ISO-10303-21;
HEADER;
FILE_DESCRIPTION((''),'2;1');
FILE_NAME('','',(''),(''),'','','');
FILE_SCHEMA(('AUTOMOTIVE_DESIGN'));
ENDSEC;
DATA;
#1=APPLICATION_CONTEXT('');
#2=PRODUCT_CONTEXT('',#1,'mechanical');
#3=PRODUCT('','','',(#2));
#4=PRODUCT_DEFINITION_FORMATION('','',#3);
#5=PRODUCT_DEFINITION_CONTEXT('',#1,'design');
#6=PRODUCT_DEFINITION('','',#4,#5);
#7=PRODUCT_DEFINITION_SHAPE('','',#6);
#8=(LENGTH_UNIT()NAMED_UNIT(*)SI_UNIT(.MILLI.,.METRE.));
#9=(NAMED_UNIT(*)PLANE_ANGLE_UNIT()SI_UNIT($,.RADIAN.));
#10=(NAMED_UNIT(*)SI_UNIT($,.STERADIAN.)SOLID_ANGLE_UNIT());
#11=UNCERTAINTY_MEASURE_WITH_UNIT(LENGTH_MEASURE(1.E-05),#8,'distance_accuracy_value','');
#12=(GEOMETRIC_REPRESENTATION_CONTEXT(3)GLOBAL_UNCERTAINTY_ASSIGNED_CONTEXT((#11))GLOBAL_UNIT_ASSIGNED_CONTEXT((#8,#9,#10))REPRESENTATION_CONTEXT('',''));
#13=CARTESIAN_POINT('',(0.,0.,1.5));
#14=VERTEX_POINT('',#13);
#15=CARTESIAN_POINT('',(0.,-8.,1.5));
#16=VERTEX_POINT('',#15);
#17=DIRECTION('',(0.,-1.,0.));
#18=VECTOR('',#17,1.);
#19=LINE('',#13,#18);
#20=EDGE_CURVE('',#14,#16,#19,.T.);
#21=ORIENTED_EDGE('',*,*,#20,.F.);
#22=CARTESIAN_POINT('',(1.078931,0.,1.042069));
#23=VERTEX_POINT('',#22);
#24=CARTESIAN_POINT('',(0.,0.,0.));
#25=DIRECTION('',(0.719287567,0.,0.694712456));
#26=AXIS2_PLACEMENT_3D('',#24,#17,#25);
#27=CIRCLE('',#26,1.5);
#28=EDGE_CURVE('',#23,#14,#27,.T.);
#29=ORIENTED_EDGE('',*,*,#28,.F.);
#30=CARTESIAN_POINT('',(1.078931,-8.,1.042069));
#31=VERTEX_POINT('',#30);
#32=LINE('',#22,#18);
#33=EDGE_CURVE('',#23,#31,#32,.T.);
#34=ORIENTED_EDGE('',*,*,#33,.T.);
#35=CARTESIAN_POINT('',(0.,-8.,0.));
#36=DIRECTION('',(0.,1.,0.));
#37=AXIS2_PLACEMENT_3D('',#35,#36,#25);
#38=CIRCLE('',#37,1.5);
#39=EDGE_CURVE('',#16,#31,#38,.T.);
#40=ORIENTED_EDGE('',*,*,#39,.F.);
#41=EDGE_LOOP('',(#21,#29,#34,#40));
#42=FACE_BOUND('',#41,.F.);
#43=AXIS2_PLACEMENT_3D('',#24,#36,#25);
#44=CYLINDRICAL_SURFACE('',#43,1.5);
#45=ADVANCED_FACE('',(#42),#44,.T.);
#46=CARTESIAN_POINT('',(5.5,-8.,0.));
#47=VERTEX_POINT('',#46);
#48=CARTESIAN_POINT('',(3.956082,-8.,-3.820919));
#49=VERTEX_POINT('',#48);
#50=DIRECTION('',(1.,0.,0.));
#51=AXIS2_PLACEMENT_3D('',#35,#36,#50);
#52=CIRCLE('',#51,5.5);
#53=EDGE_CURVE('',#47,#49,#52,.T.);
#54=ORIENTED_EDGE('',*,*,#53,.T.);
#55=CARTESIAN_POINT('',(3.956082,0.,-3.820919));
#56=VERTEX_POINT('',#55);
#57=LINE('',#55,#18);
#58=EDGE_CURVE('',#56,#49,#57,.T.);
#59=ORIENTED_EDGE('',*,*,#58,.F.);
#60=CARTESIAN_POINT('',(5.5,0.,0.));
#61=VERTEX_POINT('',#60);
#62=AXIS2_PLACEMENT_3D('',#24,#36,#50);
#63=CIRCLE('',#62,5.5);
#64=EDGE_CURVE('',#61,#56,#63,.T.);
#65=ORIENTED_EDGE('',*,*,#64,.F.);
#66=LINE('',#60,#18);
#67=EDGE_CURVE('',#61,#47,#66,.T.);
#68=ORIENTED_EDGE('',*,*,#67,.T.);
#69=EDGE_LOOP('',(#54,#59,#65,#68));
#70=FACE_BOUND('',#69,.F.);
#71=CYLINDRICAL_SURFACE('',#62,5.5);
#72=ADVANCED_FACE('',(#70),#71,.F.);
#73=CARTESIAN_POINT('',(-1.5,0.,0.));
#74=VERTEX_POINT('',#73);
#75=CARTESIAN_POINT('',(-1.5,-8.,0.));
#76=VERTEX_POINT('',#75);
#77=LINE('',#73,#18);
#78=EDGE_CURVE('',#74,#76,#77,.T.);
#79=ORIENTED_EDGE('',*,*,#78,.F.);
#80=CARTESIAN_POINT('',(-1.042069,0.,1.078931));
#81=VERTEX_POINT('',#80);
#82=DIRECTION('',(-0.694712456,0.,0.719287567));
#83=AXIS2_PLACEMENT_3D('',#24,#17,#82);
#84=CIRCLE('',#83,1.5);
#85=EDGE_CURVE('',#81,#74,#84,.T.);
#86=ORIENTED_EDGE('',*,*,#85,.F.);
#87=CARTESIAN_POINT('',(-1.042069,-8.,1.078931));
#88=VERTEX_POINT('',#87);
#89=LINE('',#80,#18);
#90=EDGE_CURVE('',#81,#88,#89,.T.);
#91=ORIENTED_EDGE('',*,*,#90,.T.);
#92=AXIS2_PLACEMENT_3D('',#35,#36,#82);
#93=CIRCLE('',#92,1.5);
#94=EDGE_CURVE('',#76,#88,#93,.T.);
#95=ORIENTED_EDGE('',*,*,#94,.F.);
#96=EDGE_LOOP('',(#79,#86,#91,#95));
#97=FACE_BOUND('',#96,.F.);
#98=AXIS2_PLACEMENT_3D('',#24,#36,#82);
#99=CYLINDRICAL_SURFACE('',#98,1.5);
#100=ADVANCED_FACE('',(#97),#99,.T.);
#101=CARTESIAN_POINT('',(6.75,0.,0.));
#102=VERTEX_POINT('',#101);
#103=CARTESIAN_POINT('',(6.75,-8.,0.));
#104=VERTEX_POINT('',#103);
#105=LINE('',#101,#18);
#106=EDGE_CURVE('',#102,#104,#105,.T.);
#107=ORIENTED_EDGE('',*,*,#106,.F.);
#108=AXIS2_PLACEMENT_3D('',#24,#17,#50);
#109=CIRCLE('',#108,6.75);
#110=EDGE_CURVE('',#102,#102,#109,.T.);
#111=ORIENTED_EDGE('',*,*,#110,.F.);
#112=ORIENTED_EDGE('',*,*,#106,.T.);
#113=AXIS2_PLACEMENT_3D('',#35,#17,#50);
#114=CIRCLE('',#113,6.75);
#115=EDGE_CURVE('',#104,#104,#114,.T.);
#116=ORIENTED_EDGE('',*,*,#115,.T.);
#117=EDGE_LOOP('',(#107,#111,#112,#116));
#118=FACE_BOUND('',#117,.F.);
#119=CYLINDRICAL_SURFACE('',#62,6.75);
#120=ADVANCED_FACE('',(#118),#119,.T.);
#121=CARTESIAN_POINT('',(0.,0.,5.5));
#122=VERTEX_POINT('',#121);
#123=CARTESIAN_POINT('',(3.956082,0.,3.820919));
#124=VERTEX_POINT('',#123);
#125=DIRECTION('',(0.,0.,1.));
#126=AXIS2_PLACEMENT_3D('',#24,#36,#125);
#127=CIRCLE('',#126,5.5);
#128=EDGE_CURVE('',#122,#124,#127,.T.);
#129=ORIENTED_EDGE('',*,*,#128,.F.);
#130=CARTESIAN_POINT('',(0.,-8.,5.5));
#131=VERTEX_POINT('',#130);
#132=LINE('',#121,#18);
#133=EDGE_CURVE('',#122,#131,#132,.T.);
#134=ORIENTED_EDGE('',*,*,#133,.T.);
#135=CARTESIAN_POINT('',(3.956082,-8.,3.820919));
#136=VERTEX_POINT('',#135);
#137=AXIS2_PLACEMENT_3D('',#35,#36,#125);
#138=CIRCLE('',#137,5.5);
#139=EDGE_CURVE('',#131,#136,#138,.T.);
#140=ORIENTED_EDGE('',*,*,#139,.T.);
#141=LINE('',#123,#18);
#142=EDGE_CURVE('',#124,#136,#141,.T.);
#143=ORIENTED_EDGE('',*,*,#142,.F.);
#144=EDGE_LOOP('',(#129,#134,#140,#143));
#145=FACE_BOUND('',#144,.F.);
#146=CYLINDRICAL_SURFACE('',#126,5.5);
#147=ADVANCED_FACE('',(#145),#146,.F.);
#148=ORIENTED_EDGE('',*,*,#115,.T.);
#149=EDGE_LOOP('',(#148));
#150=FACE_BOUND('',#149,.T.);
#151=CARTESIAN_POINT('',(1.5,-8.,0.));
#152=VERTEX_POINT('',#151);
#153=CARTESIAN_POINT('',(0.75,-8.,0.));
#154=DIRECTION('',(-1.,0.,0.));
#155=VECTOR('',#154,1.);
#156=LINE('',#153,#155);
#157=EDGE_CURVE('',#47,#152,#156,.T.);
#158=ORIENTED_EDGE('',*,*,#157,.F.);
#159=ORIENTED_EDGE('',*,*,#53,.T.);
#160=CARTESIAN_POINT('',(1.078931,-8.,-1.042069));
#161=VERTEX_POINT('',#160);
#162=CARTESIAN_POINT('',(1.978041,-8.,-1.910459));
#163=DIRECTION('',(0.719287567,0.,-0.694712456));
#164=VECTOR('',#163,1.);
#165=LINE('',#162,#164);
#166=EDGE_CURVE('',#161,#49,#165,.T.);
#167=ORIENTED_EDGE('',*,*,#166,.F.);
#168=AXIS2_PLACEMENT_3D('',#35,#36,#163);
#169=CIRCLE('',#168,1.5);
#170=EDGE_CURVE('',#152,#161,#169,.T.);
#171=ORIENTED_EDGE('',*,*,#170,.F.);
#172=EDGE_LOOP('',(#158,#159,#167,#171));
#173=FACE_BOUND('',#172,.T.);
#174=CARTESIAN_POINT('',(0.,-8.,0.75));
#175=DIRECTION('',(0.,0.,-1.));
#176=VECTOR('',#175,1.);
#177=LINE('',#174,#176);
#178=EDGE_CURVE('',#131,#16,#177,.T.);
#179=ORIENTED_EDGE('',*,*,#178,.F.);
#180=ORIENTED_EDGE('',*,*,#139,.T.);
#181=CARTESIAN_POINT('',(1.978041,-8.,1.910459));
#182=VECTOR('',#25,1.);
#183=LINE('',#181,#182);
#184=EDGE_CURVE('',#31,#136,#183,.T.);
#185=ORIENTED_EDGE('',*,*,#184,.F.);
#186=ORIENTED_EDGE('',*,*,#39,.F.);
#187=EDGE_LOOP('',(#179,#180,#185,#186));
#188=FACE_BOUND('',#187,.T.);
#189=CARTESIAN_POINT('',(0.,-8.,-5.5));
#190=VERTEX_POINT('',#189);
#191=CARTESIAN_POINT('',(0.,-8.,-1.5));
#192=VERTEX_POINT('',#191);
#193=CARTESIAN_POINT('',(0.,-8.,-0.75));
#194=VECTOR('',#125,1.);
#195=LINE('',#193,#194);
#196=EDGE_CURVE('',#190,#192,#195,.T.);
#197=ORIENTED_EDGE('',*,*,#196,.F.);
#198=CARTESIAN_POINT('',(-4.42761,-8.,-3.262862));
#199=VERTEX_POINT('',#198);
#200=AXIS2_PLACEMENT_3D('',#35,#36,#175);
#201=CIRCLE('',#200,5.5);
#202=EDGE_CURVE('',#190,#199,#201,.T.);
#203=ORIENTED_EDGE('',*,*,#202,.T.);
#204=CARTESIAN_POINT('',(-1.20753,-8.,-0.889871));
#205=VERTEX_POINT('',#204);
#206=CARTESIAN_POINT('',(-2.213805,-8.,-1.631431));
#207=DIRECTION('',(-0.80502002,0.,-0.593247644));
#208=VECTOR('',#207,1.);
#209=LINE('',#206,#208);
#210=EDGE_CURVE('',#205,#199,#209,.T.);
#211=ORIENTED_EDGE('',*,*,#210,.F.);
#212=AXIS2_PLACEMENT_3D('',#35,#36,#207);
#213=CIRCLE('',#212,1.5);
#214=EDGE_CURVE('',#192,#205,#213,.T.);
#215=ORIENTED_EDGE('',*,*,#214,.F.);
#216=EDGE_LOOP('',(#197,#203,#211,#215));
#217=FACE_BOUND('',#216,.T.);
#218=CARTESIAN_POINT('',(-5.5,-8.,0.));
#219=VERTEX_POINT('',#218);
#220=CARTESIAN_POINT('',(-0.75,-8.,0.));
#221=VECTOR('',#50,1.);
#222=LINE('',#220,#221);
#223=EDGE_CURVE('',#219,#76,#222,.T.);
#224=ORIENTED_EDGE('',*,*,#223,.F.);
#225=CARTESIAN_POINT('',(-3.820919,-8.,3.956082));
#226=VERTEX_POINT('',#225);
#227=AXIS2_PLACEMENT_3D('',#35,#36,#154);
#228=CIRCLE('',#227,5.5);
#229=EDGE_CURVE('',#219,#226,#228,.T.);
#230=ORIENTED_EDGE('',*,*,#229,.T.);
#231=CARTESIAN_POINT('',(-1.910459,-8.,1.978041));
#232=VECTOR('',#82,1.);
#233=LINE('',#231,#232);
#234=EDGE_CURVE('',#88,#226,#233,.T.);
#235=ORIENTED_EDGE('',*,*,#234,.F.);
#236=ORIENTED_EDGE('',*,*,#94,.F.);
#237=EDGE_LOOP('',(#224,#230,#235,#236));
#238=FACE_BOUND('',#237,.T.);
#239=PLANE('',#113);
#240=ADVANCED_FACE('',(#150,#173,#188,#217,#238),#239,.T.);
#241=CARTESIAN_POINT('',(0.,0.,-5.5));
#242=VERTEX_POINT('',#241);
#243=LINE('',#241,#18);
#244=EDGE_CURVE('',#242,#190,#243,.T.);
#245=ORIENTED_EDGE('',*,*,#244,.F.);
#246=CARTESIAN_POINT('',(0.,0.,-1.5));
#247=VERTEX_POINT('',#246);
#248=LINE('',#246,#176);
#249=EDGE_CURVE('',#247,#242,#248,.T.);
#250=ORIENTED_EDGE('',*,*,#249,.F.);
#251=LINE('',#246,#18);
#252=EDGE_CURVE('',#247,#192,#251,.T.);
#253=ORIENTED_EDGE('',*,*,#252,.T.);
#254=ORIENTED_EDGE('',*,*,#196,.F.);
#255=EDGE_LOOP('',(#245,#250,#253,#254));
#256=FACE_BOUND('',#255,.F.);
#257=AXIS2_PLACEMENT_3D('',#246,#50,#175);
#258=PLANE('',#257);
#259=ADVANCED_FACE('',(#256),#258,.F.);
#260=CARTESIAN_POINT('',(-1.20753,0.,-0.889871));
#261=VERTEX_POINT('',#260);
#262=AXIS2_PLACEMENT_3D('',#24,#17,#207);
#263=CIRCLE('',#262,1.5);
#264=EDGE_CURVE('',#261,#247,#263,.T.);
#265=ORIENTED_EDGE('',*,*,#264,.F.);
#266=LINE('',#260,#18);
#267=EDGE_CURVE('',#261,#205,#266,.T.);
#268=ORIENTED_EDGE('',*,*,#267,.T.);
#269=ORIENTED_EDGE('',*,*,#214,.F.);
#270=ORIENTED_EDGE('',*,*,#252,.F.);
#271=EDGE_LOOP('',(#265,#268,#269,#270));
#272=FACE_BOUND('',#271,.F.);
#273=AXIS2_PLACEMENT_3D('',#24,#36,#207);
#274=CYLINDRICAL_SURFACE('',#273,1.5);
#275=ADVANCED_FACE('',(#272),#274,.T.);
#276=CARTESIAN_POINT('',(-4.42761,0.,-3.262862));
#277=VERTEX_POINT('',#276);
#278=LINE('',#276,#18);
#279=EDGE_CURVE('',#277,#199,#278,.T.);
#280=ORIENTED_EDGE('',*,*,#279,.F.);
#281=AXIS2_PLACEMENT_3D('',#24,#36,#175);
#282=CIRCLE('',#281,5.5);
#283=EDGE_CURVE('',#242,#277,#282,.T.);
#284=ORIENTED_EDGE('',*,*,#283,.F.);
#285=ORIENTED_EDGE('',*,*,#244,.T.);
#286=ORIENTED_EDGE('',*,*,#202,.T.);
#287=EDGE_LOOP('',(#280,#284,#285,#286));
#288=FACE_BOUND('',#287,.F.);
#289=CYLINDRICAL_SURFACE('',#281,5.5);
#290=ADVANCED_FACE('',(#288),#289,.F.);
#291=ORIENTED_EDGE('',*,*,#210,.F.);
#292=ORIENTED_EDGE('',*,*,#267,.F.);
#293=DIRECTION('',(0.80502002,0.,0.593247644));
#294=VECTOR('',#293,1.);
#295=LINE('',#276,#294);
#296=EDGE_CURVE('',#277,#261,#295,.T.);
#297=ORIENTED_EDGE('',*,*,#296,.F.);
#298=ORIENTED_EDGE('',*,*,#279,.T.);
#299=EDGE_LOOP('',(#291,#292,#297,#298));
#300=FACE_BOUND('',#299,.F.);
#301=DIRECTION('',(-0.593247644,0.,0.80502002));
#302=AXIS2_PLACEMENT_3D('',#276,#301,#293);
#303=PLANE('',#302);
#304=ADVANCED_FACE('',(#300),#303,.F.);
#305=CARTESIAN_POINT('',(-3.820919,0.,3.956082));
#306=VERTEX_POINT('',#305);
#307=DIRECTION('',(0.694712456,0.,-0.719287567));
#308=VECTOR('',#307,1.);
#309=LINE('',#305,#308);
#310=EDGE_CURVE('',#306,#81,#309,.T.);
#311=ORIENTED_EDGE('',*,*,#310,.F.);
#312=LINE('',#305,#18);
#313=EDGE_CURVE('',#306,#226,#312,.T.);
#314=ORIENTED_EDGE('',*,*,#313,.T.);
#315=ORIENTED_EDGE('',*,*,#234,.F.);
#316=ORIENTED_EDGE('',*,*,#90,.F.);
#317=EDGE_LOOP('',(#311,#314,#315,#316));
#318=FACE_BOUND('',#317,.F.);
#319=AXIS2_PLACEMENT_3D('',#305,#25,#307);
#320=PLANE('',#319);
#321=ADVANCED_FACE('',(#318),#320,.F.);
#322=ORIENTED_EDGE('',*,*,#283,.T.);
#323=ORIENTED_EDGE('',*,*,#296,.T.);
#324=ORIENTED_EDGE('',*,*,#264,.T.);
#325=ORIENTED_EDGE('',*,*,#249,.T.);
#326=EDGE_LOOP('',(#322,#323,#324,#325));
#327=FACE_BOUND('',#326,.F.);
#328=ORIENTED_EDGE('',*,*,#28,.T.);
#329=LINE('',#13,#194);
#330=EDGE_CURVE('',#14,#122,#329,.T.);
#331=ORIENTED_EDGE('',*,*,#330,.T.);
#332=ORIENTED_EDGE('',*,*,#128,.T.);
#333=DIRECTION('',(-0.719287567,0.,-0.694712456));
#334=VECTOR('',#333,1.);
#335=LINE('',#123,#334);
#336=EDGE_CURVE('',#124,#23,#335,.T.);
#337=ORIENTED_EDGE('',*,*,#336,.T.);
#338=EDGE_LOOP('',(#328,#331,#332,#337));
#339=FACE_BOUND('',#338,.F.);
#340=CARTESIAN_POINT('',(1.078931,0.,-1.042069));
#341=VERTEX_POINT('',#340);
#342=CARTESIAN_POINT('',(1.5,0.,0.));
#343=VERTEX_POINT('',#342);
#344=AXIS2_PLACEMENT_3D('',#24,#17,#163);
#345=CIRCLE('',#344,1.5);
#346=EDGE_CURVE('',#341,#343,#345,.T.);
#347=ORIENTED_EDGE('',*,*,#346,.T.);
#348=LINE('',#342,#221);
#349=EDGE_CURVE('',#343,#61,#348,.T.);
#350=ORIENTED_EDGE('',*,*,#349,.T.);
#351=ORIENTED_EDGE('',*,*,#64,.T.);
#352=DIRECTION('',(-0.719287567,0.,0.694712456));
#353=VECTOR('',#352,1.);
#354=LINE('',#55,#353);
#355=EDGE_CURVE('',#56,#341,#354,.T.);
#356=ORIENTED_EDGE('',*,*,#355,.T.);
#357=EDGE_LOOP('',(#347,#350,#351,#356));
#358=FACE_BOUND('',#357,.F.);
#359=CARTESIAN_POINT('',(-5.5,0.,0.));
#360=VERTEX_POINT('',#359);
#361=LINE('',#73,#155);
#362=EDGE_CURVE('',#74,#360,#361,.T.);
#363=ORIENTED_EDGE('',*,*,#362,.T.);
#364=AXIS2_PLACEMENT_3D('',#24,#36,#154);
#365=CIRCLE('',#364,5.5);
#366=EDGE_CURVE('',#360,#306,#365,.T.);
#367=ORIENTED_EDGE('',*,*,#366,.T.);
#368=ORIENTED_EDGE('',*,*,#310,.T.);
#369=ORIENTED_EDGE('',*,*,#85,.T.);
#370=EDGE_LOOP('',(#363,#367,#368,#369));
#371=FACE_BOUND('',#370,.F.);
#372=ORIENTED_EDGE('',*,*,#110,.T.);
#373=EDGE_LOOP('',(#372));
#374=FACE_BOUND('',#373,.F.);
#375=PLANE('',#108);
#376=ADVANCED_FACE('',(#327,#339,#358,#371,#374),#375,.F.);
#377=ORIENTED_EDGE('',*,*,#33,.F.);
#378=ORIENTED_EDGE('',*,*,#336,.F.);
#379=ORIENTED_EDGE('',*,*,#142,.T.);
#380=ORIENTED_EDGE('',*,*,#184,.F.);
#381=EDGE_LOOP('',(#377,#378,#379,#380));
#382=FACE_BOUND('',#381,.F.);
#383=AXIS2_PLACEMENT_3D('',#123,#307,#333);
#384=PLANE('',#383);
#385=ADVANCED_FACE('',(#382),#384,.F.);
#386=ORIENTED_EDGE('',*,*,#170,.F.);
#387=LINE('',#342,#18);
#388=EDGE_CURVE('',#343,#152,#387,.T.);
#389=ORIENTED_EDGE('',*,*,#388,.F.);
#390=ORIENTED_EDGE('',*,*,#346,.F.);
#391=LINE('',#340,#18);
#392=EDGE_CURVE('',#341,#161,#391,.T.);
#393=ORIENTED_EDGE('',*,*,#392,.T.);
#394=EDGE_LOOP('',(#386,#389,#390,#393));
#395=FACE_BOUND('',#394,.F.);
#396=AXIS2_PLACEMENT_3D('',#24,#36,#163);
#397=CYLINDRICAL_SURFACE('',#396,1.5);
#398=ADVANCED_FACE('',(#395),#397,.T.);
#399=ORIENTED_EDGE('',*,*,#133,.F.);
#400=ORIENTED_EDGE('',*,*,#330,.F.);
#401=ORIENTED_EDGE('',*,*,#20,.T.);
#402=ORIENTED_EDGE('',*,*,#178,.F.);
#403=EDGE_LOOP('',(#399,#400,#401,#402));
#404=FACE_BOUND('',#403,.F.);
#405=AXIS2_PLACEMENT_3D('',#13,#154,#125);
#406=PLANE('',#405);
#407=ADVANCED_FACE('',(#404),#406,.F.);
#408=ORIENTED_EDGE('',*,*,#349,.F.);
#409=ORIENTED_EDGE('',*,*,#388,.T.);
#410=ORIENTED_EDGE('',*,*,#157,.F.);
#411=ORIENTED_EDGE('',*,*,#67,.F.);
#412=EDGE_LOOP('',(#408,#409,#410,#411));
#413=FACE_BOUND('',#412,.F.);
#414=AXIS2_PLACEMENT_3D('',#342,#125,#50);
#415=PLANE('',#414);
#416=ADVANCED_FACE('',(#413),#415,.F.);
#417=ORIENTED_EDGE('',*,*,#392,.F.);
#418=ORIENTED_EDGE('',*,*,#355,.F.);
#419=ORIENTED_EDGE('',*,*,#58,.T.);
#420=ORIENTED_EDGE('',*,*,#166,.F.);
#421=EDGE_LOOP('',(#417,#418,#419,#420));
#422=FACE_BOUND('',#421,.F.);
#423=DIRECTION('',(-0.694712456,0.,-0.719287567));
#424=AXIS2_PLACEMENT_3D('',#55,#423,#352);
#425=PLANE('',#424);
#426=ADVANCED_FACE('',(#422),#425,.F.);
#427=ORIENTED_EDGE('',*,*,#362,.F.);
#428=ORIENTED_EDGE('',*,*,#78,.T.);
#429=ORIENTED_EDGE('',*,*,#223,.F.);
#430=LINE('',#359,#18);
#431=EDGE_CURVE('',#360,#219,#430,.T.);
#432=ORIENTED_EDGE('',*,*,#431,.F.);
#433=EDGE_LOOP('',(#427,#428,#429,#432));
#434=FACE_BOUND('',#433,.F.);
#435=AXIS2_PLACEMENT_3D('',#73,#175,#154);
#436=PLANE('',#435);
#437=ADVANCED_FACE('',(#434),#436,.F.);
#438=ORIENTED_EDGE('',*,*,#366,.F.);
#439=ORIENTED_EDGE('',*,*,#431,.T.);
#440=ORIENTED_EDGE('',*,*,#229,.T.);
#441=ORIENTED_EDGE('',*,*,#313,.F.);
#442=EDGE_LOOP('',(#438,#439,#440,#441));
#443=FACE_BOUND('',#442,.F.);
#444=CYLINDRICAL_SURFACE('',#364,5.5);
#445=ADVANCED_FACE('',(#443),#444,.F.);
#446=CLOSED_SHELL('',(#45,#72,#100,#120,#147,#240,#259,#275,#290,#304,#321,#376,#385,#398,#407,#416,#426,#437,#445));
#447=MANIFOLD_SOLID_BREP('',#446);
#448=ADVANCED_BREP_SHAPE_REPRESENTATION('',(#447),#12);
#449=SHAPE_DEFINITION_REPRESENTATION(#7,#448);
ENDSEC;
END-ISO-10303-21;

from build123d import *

# Parameters (mm, degrees)
F0_R     = 6.75
F1_DEPTH = 8
F3_DEPTH = 8.001
F4_DEPTH = 8.001


with BuildPart() as f1:
    # F0 (on Front) → F1 (new body)
    with BuildSketch(Plane.XZ):
        Circle(F0_R)
    extrude(amount=F1_DEPTH)

    # F2 (on face) → F3 (cut, through all)
    with BuildSketch(Plane(origin=(0, 0, 0), x_dir=(-1, 0, 0), z_dir=(0, 1, 0))):
        with BuildLine():
            Line((0, 1.5), (0, 5.5))
            ThreePointArc((0, 5.5), (-2.1488308702, 5.0628574828), (-3.9560816184, 3.8209185059))
            Line((-3.9560816184, 3.8209185059), (-1.0789313505, 1.0420686834))
            ThreePointArc((-1.0789313505, 1.0420686834), (-0.5860447828, 1.3807793135), (0, 1.5))
        make_face()
    extrude(amount=-F3_DEPTH, mode=Mode.SUBTRACT)

    # F2 (on face) → F4 (cut, through all)
    with BuildSketch(Plane(origin=(0, 0, 0), x_dir=(-1, 0, 0), z_dir=(0, 1, 0))):
        with BuildLine():
            Line((1.5, 0), (5.5, 0))
            ThreePointArc((5.5, 0), (5.0628574828, 2.1488308702), (3.8209185059, 3.9560816184))
            Line((3.8209185059, 3.9560816184), (1.0420686834, 1.0789313505))
            ThreePointArc((1.0420686834, 1.0789313505), (1.3807793135, 0.5860447828), (1.5, 0))
        make_face()
        with BuildLine():
            ThreePointArc((0, -5.5), (2.4803486414, -4.9089582008), (4.4276101105, -3.2628620427))
            Line((4.4276101105, -3.2628620427), (1.2075300301, -0.8898714662))
            ThreePointArc((1.2075300301, -0.8898714662), (0.6764587204, -1.338806782), (0, -1.5))
            Line((0, -1.5), (0, -5.5))
        make_face()
        with BuildLine():
            ThreePointArc((-5.5, 0), (-5.0994337382, -2.0605279783), (-3.9560816184, -3.8209185059))
            Line((-3.9560816184, -3.8209185059), (-1.0789313505, -1.0420686834))
            ThreePointArc((-1.0789313505, -1.0420686834), (-1.3907546559, -0.5619621759), (-1.5, 0))
            Line((-1.5, 0), (-5.5, 0))
        make_face()
        with BuildLine():
            Line((0, 1.5), (0, 5.5))
            ThreePointArc((0, 5.5), (-2.1488308702, 5.0628574828), (-3.9560816184, 3.8209185059))
            Line((-3.9560816184, 3.8209185059), (-1.0789313505, 1.0420686834))
            ThreePointArc((-1.0789313505, 1.0420686834), (-0.5860447828, 1.3807793135), (0, 1.5))
        make_face()
    extrude(amount=-F4_DEPTH, mode=Mode.SUBTRACT)


solid = f1.part
